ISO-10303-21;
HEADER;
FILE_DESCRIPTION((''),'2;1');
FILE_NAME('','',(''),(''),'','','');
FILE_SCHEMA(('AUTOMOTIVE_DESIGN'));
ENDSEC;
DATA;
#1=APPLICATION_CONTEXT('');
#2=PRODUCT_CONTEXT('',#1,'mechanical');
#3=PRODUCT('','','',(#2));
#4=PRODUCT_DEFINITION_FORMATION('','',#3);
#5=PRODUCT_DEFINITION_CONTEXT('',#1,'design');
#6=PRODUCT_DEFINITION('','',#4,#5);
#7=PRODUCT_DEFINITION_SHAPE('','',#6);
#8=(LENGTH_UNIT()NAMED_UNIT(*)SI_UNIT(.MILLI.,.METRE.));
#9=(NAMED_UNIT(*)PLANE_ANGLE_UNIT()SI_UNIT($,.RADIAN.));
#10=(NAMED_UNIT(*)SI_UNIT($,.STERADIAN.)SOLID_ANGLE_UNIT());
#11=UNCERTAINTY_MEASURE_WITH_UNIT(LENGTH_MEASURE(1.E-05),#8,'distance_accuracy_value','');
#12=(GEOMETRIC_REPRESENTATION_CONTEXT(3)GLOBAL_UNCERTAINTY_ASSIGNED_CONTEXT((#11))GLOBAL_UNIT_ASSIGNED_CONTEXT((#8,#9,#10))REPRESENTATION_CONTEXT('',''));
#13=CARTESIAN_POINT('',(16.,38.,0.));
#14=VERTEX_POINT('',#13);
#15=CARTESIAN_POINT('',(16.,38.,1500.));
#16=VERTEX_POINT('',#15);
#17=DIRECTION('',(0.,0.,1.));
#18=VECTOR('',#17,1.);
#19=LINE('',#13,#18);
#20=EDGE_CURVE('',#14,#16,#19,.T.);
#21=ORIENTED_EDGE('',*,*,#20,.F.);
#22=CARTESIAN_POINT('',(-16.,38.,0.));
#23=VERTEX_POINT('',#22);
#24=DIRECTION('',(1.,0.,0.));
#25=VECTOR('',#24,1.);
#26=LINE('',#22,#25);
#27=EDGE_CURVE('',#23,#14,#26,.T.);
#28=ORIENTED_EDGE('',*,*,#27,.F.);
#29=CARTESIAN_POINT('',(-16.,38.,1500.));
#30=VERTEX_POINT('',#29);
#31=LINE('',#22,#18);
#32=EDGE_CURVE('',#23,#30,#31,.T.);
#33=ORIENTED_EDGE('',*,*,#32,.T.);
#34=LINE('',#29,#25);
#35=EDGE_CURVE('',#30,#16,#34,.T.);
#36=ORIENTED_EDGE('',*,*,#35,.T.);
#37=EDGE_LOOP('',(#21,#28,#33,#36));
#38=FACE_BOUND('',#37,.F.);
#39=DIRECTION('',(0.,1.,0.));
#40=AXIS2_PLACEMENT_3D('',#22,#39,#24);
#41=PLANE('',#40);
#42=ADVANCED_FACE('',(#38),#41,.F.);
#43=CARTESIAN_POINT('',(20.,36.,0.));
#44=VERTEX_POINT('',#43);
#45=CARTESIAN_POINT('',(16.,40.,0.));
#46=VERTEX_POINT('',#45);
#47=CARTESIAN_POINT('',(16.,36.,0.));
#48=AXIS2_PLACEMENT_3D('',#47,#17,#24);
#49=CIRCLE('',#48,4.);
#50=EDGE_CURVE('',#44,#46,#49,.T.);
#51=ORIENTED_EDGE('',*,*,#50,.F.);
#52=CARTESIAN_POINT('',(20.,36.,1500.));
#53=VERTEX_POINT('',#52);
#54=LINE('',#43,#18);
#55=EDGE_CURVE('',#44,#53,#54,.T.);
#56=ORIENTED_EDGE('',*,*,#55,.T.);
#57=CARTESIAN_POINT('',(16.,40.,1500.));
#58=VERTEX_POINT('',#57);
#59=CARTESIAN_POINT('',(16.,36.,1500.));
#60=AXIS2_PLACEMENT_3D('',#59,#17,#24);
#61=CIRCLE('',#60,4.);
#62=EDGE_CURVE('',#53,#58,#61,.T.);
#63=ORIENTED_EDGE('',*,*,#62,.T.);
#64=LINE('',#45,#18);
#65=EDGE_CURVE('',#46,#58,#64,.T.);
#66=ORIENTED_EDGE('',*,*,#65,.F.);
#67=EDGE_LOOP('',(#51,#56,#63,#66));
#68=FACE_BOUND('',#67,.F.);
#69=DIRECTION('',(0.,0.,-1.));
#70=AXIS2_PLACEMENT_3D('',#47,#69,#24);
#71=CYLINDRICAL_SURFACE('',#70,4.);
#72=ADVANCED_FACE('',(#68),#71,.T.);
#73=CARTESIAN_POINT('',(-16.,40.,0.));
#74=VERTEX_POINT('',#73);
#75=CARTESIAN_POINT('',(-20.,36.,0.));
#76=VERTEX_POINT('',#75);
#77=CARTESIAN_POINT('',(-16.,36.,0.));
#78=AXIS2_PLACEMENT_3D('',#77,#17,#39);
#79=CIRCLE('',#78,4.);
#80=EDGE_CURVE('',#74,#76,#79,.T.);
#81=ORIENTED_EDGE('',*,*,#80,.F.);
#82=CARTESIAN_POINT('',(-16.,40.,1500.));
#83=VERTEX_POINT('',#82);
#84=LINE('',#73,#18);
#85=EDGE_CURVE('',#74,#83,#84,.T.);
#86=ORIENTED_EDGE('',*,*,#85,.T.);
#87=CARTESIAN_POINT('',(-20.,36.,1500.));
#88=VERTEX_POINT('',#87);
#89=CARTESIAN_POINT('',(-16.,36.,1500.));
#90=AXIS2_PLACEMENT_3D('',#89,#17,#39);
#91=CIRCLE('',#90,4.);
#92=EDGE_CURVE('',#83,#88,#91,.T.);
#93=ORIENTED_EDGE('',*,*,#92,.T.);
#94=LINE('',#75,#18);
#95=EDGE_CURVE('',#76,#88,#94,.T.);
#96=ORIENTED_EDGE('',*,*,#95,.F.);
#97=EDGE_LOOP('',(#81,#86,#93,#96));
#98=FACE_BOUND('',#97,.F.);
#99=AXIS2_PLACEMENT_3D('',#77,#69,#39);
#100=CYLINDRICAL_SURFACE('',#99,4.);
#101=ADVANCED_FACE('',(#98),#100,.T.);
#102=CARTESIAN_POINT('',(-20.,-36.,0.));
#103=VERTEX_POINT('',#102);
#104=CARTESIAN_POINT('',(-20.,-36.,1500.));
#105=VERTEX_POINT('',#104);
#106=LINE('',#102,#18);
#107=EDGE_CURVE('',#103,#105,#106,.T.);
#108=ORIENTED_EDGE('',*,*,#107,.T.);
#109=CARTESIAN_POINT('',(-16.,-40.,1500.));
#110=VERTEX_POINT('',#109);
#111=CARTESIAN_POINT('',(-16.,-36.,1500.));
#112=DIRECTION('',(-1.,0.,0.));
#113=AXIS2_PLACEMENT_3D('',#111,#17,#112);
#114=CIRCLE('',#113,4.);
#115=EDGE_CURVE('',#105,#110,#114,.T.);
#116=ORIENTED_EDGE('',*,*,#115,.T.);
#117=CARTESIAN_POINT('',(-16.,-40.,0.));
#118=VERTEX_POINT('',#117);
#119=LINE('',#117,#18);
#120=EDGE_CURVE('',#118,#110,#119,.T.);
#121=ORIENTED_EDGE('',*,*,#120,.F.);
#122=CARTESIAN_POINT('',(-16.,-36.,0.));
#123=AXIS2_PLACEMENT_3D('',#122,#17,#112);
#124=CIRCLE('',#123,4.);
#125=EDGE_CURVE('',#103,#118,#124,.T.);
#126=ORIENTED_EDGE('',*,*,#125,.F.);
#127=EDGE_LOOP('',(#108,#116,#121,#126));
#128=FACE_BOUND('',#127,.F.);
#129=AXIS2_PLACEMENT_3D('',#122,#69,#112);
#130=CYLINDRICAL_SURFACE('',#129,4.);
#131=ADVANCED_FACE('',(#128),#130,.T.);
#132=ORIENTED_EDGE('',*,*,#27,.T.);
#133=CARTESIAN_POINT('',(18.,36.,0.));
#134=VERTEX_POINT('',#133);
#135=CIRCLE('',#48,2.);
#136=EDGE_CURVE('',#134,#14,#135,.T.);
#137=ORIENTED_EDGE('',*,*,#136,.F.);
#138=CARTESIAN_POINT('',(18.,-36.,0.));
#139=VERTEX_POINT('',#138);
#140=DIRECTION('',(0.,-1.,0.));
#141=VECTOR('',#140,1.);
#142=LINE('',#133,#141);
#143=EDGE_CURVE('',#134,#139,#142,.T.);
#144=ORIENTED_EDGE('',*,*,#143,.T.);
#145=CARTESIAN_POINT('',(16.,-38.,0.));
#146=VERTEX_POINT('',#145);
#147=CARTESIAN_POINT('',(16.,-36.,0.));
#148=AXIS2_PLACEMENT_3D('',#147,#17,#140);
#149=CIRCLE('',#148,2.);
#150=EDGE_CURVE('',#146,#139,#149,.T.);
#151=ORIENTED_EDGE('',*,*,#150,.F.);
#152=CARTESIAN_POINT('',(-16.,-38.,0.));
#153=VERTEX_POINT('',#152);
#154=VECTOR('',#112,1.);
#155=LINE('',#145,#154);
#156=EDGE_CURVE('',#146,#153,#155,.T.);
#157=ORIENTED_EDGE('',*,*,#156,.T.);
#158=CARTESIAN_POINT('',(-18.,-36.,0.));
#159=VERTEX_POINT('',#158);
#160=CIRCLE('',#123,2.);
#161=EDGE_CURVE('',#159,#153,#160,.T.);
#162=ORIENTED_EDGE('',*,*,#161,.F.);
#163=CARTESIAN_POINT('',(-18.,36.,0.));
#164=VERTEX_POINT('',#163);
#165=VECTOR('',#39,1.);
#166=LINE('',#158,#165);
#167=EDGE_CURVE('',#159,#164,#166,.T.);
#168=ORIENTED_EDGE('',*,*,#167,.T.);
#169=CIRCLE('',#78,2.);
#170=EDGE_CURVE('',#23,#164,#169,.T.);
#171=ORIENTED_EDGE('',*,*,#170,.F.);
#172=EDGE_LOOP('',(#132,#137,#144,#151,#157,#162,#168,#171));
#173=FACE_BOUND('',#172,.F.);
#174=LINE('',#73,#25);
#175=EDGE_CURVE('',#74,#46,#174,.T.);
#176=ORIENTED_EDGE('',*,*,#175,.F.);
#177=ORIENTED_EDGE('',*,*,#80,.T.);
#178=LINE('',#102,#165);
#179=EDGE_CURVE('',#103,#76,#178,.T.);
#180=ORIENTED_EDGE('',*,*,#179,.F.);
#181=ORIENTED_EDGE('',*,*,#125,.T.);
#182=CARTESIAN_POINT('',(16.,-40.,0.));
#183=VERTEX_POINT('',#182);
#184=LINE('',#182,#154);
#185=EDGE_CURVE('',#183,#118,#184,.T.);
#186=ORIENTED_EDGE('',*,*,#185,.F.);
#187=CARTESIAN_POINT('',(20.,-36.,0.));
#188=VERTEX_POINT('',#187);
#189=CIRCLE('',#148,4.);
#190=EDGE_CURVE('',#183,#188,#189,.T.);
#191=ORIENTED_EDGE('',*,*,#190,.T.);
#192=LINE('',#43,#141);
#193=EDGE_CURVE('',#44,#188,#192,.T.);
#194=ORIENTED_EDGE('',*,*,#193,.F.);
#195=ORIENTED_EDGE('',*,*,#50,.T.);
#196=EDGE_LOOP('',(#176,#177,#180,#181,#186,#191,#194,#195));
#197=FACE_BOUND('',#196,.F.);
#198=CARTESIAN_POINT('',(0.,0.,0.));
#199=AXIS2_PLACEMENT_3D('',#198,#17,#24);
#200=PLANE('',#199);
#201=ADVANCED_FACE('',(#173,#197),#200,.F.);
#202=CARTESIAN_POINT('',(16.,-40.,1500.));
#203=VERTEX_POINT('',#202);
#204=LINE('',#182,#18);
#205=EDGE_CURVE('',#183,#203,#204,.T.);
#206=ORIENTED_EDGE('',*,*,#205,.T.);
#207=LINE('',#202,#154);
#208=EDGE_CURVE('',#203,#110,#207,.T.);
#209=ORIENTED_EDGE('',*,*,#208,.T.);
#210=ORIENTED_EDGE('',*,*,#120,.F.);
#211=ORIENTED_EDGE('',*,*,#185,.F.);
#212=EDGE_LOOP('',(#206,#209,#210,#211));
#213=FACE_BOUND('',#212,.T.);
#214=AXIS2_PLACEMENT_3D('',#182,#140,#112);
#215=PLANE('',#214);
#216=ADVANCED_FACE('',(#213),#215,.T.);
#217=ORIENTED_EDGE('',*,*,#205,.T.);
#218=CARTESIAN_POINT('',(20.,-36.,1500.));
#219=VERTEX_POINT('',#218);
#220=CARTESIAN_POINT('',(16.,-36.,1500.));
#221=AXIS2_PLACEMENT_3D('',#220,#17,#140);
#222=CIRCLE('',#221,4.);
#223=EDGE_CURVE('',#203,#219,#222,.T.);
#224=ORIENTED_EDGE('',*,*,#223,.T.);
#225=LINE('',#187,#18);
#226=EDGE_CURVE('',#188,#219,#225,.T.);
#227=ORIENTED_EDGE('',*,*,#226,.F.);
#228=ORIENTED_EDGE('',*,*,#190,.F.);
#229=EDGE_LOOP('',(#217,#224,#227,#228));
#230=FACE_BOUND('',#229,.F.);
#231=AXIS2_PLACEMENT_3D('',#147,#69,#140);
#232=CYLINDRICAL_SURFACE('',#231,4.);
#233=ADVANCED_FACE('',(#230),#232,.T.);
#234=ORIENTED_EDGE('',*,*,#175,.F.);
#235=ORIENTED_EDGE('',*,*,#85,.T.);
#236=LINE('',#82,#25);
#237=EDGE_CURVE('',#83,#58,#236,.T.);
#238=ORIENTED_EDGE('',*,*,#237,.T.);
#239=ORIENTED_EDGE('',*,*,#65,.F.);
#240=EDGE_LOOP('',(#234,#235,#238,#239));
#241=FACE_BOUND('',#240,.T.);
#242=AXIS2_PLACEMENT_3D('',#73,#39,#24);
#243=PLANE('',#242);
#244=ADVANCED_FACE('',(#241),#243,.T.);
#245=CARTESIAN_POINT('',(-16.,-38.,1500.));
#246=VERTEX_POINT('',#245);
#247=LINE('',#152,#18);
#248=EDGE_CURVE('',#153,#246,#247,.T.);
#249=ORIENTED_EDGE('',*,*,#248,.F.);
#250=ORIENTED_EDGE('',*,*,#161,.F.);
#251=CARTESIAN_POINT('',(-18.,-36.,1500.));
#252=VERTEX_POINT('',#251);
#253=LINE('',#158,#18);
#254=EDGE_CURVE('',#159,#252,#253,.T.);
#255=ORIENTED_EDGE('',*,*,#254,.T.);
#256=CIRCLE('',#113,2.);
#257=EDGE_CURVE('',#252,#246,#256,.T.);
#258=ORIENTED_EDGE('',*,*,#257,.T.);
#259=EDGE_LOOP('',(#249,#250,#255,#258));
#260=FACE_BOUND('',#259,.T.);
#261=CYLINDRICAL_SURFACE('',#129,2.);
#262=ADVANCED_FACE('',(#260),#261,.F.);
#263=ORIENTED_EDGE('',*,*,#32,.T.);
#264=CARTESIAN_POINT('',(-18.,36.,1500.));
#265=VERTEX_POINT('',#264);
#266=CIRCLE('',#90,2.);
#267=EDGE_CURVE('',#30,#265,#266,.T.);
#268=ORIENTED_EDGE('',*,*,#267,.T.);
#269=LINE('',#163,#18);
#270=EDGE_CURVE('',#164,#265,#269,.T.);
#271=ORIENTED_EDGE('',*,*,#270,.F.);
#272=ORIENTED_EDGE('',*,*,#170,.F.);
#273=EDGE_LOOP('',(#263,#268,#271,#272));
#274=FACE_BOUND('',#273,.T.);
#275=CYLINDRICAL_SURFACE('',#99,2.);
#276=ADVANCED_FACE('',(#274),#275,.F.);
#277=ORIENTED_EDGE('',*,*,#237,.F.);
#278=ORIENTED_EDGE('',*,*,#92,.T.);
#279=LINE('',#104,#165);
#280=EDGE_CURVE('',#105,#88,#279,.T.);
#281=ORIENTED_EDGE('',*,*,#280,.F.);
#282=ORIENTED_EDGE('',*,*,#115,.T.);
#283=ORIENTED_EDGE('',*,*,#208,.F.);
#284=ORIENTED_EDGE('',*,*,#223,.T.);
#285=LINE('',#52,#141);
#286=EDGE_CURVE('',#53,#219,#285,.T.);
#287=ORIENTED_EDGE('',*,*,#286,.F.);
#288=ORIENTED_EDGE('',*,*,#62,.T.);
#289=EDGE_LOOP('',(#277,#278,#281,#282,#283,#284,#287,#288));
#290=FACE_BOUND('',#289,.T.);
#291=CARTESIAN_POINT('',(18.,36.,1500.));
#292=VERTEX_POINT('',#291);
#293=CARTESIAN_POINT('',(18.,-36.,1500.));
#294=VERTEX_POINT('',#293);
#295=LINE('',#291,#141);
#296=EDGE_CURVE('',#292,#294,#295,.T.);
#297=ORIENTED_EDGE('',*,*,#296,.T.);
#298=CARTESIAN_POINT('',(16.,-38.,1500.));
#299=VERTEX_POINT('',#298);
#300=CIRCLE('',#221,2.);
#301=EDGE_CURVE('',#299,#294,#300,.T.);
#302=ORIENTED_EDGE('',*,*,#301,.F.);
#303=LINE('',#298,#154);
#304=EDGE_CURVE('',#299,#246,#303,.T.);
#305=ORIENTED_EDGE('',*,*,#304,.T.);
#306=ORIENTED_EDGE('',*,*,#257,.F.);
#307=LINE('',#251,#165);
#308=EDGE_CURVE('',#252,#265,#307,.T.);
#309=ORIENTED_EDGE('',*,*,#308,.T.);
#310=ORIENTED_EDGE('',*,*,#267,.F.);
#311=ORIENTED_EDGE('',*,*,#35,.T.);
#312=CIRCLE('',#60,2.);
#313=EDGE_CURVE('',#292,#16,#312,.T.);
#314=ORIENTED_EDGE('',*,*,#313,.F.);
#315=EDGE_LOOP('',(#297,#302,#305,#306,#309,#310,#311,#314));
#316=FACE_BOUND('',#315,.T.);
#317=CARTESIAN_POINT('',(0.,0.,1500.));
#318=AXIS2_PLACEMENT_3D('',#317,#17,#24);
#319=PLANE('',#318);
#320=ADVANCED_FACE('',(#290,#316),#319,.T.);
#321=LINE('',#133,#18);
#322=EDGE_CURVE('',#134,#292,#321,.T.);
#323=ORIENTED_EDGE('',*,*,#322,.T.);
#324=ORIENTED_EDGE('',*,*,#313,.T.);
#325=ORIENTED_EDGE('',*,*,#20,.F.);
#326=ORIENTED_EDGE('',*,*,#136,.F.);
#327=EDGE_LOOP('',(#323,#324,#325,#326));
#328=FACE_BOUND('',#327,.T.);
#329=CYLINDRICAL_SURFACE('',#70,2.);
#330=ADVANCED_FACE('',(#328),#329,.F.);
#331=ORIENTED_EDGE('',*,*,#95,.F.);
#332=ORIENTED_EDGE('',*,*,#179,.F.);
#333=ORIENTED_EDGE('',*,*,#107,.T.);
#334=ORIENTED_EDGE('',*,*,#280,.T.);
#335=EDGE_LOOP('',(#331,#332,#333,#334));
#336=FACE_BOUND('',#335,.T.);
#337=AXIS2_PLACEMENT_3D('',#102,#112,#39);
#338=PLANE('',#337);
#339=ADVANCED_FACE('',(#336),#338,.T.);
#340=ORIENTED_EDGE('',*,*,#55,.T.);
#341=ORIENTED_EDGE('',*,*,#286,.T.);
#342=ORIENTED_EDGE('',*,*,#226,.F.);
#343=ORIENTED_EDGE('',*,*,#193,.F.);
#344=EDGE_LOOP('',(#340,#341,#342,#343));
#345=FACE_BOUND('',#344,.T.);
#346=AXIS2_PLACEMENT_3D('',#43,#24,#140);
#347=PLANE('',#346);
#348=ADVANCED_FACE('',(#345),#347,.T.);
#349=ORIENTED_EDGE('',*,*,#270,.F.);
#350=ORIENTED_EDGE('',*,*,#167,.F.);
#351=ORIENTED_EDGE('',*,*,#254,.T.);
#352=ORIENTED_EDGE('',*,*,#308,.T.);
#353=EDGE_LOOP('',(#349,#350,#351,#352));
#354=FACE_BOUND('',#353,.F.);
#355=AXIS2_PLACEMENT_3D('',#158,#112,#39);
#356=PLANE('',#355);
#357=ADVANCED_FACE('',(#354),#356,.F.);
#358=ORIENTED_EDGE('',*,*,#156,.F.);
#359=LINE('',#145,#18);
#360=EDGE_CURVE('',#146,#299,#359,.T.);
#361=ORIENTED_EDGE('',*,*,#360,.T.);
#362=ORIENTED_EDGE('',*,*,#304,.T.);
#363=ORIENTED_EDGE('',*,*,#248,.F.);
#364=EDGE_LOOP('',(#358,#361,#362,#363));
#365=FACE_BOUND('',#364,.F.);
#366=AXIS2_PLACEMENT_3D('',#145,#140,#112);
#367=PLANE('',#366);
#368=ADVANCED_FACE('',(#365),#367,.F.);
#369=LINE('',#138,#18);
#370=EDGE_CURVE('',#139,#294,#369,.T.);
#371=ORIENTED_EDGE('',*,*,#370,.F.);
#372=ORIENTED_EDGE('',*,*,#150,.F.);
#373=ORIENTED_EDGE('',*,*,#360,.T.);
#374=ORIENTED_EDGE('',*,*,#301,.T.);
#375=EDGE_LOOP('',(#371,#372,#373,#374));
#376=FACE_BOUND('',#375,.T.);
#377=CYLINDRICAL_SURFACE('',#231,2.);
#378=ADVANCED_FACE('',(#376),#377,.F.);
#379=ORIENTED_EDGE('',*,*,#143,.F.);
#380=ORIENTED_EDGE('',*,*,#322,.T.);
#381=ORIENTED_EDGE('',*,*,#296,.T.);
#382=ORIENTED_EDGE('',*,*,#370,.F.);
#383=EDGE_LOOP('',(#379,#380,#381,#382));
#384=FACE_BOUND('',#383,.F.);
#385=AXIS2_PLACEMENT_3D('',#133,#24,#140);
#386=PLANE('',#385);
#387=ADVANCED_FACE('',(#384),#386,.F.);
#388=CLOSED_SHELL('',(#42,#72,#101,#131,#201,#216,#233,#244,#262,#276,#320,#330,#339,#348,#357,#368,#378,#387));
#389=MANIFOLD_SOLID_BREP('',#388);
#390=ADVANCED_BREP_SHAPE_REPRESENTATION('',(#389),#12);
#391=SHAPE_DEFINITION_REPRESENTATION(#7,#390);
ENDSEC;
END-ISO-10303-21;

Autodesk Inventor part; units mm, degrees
ref_plane "YZ Plane" through (0, 0, 0) normal (1, 0, 0) x (0, 1, 0)
ref_plane "Start Plane" through (0, 0, 0) normal (0, 0, 1) x (1, 0, 0)
ref_plane "End Plane" through (0, 0, 1500) normal (0, 0, 1) x (1, 0, 0)
sketch "Sketch" plane through (0, 0, 0) normal (0, 0, 1) x (1, 0, 0)
  line L0 (-20, -36) -> (-20, 36)
  line L1 (-16, 40) -> (16, 40)
  line L2 (20, 36) -> (20, -36)
  line L3 (16, -40) -> (-16, -40)
  arc A0 (-20, -36) -> (-16, -40) centre (-16, -36) ccw
  arc A1 (20, 36) -> (16, 40) centre (16, 36) ccw
  arc A2 (-16, 40) -> (-20, 36) centre (-16, 36) ccw
  arc A3 (16, -40) -> (20, -36) centre (16, -36) ccw
  arc A4 (-16, 38) -> (-18, 36) centre (-16, 36) ccw
  line L4 (-16, 38) -> (16, 38)
  arc A5 (18, 36) -> (16, 38) centre (16, 36) ccw
  line L5 (18, 36) -> (18, -36)
  arc A6 (16, -38) -> (18, -36) centre (16, -36) ccw
  line L6 (16, -38) -> (-16, -38)
  arc A7 (-18, -36) -> (-16, -38) centre (-16, -36) ccw
  line L7 (-18, -36) -> (-18, 36)
  line L8 (0, 57.1598) -> (0, -57.1598) construction
  line L9 (-29.1598, 0) -> (29.1598, 0) construction
  dimension "d7" = 4
  dimension "d9" = 40
  dimension "d11" = 80
  dimension "d12" = 2
  dimension "d15" = 20
  dimension "d16" = 40
extrude "Body" add sketch "Sketch" along normal up to surface (1500 mm away) from surface at 0
sketch "Sketch3" plane through (0, 0, 0) normal (0, 0, 1) x (1, 0, 0)
  line L0 (0, 0) -> (10, 0)
ref_plane "Work Plane3" through (0, 0, 0) normal (0, -1, 0) x (1, 0, 0)
sketch "Sketch4" plane through (0, 0, 0) normal (0, -1, 0) x (1, 0, 0)
  line L0 (-2, 0) -> (12, 0) projected
  line L1 (-2, 1500) -> (12, 1500) projected
  dimension "d18" = 1500
equation "\"d7\" = G_IR"
equation "\"d9\" = G_W"
equation "\"d11\" = G_H"
equation "\"d12\" = G_T"
equation "\"d15\" = 0.5 * d9"
equation "\"d16\" = 0.5 * d11"
equation "\"d3\" = G_L"
equation "\"G_W\" = 40"
equation "\"G_H\" = 80"
equation "\"G_T\" = 2"
equation "\"G_IR\" = 4"
equation "\"G_L\" = d18"
equation "\"G_OFFSET_START\" = 0"
equation "\"G_OFFSET_END\" = 0"
properties part number "ISO 4019 - 80x40x2 - 1500" material "Steel, Mild"
